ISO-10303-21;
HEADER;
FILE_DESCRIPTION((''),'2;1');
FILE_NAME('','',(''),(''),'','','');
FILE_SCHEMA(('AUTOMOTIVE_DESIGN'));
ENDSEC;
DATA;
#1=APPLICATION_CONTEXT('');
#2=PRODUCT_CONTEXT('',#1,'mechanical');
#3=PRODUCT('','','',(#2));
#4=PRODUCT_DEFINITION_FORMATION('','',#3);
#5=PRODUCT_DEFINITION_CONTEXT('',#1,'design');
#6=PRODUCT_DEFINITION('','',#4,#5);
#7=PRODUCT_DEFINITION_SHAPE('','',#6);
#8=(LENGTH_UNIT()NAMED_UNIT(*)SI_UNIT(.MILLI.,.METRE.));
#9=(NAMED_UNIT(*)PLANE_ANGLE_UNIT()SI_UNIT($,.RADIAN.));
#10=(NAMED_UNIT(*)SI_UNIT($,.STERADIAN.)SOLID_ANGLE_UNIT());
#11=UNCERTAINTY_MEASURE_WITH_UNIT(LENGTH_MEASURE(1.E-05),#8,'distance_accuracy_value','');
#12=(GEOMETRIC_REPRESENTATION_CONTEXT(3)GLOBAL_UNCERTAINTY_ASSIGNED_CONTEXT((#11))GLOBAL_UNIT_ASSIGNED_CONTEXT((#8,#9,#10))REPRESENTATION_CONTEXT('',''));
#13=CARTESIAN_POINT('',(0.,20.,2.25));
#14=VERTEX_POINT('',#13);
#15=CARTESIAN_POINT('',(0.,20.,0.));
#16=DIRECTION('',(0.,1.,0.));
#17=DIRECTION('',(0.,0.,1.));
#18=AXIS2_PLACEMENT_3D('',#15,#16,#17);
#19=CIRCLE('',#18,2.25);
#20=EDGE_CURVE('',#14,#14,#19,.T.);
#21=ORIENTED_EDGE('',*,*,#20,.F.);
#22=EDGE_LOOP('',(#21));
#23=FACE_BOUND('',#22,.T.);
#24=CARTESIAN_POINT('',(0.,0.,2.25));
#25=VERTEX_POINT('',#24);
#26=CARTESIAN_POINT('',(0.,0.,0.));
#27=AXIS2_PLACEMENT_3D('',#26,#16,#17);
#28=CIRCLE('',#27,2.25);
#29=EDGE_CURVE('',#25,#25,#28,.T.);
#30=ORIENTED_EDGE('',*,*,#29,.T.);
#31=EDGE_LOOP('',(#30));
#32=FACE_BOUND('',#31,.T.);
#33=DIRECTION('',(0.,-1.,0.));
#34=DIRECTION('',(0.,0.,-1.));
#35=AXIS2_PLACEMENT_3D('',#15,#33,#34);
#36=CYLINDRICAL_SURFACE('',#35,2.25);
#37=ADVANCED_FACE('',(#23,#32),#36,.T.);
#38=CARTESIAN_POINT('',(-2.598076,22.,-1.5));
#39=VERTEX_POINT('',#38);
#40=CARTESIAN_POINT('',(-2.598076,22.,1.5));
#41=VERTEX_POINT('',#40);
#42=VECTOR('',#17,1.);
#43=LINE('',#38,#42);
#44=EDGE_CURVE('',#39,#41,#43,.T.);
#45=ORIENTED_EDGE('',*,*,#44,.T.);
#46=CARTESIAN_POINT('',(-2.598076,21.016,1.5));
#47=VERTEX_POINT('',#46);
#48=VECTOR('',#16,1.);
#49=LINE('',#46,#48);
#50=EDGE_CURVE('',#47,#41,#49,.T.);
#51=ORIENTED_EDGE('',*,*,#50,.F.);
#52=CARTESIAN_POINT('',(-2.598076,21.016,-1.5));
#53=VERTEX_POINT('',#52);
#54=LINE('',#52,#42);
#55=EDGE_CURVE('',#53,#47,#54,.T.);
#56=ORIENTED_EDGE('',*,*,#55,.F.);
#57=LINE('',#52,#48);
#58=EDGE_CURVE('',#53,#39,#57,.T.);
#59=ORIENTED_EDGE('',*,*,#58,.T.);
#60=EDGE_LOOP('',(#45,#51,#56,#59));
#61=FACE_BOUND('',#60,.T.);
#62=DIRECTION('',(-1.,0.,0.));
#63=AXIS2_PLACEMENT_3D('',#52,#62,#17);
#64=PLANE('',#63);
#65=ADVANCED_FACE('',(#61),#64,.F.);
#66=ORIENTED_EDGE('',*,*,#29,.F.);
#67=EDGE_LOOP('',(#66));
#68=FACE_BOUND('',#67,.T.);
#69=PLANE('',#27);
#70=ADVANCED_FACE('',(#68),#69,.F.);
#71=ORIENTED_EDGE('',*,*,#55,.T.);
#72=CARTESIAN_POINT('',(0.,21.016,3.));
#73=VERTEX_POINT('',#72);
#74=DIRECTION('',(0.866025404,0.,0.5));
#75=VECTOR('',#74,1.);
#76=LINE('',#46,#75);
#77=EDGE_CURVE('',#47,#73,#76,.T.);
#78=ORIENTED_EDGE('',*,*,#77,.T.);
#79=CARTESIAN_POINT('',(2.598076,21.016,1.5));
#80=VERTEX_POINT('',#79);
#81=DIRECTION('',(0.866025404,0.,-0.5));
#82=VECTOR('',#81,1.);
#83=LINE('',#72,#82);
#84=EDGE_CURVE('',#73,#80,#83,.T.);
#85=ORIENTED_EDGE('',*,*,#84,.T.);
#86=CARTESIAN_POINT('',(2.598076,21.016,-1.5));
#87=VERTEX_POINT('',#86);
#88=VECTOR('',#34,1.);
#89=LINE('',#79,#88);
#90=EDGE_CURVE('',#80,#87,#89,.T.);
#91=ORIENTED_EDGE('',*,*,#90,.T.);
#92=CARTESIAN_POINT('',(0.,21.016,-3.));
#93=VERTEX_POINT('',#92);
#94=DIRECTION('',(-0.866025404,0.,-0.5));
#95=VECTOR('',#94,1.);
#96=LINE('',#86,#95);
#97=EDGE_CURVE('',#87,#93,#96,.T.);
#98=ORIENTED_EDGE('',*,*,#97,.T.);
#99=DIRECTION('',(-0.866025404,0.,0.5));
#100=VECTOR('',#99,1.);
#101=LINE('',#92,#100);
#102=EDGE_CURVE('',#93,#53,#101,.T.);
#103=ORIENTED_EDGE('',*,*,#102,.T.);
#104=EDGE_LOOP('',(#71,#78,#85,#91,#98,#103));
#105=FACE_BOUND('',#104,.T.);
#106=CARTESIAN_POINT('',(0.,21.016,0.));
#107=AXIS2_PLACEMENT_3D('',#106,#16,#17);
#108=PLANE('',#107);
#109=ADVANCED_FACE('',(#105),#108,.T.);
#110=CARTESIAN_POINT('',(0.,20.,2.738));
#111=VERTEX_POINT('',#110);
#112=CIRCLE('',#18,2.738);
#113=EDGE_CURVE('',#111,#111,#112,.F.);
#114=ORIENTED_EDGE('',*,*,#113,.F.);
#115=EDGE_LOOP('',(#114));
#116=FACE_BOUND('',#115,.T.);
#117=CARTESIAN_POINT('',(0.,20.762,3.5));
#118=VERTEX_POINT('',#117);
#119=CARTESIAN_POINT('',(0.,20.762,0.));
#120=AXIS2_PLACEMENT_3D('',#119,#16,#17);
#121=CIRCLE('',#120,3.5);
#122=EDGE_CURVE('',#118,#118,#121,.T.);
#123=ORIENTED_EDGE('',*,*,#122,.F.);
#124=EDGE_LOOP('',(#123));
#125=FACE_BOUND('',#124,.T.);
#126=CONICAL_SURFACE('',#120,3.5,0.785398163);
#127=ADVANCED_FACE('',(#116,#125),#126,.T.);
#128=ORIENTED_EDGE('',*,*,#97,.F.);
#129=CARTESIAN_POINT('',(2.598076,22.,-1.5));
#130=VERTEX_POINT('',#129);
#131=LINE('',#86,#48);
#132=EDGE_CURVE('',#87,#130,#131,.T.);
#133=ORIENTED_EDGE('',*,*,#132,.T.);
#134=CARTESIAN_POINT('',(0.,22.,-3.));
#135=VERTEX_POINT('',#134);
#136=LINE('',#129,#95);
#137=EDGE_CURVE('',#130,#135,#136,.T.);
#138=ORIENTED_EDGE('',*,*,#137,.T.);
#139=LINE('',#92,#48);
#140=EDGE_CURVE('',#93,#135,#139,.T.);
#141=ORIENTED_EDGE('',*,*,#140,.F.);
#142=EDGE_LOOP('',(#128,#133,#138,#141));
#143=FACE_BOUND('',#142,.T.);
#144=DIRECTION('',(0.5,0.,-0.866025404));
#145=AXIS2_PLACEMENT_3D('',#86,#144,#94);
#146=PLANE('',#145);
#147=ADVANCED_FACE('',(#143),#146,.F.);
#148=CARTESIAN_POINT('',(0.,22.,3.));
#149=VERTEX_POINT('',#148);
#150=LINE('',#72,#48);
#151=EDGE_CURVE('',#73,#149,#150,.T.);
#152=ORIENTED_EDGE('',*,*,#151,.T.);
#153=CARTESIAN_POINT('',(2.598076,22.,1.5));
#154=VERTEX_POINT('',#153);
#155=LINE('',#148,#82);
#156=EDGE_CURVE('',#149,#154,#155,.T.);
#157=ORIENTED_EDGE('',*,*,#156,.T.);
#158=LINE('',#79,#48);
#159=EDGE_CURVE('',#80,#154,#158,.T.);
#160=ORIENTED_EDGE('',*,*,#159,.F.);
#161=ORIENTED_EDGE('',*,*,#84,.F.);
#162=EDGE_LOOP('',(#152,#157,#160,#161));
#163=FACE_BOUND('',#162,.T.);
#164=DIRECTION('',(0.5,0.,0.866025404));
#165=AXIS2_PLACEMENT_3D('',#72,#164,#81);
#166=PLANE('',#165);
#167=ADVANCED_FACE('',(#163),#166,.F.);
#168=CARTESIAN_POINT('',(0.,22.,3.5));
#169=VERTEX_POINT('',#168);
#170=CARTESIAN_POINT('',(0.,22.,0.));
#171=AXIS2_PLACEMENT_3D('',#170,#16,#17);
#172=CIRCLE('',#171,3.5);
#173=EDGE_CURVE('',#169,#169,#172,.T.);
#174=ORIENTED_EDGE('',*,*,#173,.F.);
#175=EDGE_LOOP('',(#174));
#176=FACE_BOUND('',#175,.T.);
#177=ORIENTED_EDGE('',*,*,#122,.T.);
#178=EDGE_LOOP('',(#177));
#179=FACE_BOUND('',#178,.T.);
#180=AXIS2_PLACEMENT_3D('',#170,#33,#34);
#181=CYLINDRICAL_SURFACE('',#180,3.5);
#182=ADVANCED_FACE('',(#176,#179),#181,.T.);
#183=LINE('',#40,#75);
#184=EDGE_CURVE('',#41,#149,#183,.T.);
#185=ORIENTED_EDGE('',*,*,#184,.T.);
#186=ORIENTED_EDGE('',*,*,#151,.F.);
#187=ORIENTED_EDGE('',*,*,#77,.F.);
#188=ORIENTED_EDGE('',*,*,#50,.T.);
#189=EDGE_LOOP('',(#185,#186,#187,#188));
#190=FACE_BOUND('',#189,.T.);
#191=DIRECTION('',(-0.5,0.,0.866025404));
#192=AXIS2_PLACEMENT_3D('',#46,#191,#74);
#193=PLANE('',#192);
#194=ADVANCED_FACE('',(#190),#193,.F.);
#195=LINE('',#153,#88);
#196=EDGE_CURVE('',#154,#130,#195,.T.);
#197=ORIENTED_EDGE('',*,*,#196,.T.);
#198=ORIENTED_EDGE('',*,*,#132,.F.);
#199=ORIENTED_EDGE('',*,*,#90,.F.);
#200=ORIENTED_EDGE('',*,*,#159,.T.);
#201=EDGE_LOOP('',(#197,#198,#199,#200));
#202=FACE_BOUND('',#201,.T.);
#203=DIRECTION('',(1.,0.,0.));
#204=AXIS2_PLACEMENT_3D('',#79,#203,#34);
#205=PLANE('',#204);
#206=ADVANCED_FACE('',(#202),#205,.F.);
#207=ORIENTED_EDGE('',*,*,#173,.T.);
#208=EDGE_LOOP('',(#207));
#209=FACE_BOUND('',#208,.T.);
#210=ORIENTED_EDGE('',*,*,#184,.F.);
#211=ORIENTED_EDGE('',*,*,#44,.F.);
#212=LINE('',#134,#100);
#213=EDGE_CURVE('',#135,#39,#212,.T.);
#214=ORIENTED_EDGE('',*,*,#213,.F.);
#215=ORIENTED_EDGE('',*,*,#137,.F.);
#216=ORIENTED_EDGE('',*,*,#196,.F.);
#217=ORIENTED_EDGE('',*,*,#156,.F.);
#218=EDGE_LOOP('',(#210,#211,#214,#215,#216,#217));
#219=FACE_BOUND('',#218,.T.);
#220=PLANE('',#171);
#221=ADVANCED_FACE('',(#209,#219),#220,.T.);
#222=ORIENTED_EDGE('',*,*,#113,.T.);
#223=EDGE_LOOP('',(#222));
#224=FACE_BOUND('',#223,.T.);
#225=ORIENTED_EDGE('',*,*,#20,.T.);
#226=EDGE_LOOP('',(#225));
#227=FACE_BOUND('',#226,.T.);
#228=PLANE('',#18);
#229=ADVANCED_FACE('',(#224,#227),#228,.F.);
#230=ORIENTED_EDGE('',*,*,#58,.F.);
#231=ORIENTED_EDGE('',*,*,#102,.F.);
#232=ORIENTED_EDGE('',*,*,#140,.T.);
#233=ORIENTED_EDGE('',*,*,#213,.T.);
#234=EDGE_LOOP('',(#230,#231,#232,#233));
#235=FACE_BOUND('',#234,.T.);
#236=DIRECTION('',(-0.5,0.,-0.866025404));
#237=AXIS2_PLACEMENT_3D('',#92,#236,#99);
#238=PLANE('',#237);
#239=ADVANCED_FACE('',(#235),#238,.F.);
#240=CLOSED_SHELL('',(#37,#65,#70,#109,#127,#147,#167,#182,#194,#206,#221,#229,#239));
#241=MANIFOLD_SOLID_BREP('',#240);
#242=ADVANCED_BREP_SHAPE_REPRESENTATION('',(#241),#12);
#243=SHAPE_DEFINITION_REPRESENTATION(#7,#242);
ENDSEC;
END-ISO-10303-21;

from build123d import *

# Parameters (mm, degrees)
SKETCH1_R      = 2.25
LENGTH_DEPTH   = 20
SKETCH2_R      = 3.5
CAP_DEPTH      = 2
CHAMFER_2_SIZE = 0.762
HEX_2_DEPTH    = 0.984


with BuildPart() as part:
    # Sketch1 → Length (new body)
    with BuildSketch(Plane(origin=(0, 0, 0), x_dir=(1, 0, 0), z_dir=(0, 1, 0))):
        with Locations(Location((0, 0, 0), (0, 0, 270))):
            Circle(SKETCH1_R)
    extrude(amount=LENGTH_DEPTH)

    # Sketch2 → Cap (add)
    with BuildSketch(Plane(origin=(0, 20, 0), x_dir=(1, 0, 0), z_dir=(0, 1, 0))):
        with Locations(Location((0, 0, 0), (0, 0, 270))):
            Circle(SKETCH2_R)
    extrude(amount=CAP_DEPTH)

    # Chamfer 2
    chamfer_2_edges = [part.edges().sort_by_distance(p)[0] for p in [
        (0, 20, -3.5),
    ]]
    chamfer(chamfer_2_edges, length=CHAMFER_2_SIZE)

    # Sketch3 → Hex 2 (cut)
    with BuildSketch(Plane(origin=(0, 22, 0), x_dir=(1, 0, 0), z_dir=(0, 1, 0))):
        Polygon((0, 3), (-2.598076211, 1.5), (-2.598076211, -1.5), (0, -3), (2.598076211, -1.5), (2.598076211, 1.5), align=None)
    extrude(amount=-HEX_2_DEPTH, mode=Mode.SUBTRACT)


solid = part.part
